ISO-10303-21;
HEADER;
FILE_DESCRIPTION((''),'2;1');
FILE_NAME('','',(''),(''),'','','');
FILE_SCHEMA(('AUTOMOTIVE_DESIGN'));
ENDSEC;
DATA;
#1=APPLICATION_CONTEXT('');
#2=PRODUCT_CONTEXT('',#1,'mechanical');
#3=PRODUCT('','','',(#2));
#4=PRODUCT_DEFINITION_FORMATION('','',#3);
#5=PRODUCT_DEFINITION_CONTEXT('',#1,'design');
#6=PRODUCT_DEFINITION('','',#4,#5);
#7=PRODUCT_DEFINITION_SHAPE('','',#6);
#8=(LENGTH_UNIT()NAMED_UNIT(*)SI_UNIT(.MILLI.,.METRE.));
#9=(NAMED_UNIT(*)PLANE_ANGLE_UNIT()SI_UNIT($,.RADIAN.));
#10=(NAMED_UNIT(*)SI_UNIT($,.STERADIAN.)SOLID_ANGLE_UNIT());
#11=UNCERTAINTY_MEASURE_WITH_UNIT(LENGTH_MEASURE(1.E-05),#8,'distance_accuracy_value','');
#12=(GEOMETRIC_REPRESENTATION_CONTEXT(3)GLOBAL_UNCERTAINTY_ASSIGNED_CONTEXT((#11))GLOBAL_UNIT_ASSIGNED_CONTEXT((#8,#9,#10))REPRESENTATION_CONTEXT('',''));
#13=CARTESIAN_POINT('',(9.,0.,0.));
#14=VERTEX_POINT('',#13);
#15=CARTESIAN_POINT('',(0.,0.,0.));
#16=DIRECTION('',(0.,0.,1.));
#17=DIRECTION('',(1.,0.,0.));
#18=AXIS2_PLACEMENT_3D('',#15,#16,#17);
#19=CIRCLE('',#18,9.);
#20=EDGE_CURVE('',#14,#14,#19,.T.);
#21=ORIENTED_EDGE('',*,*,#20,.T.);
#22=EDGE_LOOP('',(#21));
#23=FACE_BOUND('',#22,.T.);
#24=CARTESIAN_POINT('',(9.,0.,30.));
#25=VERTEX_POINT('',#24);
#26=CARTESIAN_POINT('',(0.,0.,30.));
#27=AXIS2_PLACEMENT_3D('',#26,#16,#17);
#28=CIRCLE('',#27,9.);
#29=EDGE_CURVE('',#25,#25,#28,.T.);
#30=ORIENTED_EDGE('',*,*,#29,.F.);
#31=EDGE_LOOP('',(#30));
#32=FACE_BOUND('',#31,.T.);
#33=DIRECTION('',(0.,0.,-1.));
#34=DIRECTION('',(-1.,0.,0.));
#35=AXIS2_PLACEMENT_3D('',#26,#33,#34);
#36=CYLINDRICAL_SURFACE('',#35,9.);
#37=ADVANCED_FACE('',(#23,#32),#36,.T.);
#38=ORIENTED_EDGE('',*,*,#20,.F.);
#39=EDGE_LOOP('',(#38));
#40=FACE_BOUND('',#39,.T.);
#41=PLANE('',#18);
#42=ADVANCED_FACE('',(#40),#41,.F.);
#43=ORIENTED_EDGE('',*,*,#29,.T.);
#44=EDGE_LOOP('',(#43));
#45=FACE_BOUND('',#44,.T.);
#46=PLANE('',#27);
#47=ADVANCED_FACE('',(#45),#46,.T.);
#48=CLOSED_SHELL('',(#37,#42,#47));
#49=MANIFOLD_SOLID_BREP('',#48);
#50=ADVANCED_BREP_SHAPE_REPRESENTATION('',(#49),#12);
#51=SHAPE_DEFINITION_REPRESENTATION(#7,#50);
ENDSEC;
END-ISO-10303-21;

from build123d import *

# Parameters (mm, degrees)
ESQUISSE1_R      = 9
EXTRUSION1_DEPTH = 30


with BuildPart() as part:
    # Esquisse1 → Extrusion1 (new body)
    with BuildSketch(Plane.XY):
        Circle(ESQUISSE1_R)
    extrude(amount=EXTRUSION1_DEPTH)


solid = part.part
